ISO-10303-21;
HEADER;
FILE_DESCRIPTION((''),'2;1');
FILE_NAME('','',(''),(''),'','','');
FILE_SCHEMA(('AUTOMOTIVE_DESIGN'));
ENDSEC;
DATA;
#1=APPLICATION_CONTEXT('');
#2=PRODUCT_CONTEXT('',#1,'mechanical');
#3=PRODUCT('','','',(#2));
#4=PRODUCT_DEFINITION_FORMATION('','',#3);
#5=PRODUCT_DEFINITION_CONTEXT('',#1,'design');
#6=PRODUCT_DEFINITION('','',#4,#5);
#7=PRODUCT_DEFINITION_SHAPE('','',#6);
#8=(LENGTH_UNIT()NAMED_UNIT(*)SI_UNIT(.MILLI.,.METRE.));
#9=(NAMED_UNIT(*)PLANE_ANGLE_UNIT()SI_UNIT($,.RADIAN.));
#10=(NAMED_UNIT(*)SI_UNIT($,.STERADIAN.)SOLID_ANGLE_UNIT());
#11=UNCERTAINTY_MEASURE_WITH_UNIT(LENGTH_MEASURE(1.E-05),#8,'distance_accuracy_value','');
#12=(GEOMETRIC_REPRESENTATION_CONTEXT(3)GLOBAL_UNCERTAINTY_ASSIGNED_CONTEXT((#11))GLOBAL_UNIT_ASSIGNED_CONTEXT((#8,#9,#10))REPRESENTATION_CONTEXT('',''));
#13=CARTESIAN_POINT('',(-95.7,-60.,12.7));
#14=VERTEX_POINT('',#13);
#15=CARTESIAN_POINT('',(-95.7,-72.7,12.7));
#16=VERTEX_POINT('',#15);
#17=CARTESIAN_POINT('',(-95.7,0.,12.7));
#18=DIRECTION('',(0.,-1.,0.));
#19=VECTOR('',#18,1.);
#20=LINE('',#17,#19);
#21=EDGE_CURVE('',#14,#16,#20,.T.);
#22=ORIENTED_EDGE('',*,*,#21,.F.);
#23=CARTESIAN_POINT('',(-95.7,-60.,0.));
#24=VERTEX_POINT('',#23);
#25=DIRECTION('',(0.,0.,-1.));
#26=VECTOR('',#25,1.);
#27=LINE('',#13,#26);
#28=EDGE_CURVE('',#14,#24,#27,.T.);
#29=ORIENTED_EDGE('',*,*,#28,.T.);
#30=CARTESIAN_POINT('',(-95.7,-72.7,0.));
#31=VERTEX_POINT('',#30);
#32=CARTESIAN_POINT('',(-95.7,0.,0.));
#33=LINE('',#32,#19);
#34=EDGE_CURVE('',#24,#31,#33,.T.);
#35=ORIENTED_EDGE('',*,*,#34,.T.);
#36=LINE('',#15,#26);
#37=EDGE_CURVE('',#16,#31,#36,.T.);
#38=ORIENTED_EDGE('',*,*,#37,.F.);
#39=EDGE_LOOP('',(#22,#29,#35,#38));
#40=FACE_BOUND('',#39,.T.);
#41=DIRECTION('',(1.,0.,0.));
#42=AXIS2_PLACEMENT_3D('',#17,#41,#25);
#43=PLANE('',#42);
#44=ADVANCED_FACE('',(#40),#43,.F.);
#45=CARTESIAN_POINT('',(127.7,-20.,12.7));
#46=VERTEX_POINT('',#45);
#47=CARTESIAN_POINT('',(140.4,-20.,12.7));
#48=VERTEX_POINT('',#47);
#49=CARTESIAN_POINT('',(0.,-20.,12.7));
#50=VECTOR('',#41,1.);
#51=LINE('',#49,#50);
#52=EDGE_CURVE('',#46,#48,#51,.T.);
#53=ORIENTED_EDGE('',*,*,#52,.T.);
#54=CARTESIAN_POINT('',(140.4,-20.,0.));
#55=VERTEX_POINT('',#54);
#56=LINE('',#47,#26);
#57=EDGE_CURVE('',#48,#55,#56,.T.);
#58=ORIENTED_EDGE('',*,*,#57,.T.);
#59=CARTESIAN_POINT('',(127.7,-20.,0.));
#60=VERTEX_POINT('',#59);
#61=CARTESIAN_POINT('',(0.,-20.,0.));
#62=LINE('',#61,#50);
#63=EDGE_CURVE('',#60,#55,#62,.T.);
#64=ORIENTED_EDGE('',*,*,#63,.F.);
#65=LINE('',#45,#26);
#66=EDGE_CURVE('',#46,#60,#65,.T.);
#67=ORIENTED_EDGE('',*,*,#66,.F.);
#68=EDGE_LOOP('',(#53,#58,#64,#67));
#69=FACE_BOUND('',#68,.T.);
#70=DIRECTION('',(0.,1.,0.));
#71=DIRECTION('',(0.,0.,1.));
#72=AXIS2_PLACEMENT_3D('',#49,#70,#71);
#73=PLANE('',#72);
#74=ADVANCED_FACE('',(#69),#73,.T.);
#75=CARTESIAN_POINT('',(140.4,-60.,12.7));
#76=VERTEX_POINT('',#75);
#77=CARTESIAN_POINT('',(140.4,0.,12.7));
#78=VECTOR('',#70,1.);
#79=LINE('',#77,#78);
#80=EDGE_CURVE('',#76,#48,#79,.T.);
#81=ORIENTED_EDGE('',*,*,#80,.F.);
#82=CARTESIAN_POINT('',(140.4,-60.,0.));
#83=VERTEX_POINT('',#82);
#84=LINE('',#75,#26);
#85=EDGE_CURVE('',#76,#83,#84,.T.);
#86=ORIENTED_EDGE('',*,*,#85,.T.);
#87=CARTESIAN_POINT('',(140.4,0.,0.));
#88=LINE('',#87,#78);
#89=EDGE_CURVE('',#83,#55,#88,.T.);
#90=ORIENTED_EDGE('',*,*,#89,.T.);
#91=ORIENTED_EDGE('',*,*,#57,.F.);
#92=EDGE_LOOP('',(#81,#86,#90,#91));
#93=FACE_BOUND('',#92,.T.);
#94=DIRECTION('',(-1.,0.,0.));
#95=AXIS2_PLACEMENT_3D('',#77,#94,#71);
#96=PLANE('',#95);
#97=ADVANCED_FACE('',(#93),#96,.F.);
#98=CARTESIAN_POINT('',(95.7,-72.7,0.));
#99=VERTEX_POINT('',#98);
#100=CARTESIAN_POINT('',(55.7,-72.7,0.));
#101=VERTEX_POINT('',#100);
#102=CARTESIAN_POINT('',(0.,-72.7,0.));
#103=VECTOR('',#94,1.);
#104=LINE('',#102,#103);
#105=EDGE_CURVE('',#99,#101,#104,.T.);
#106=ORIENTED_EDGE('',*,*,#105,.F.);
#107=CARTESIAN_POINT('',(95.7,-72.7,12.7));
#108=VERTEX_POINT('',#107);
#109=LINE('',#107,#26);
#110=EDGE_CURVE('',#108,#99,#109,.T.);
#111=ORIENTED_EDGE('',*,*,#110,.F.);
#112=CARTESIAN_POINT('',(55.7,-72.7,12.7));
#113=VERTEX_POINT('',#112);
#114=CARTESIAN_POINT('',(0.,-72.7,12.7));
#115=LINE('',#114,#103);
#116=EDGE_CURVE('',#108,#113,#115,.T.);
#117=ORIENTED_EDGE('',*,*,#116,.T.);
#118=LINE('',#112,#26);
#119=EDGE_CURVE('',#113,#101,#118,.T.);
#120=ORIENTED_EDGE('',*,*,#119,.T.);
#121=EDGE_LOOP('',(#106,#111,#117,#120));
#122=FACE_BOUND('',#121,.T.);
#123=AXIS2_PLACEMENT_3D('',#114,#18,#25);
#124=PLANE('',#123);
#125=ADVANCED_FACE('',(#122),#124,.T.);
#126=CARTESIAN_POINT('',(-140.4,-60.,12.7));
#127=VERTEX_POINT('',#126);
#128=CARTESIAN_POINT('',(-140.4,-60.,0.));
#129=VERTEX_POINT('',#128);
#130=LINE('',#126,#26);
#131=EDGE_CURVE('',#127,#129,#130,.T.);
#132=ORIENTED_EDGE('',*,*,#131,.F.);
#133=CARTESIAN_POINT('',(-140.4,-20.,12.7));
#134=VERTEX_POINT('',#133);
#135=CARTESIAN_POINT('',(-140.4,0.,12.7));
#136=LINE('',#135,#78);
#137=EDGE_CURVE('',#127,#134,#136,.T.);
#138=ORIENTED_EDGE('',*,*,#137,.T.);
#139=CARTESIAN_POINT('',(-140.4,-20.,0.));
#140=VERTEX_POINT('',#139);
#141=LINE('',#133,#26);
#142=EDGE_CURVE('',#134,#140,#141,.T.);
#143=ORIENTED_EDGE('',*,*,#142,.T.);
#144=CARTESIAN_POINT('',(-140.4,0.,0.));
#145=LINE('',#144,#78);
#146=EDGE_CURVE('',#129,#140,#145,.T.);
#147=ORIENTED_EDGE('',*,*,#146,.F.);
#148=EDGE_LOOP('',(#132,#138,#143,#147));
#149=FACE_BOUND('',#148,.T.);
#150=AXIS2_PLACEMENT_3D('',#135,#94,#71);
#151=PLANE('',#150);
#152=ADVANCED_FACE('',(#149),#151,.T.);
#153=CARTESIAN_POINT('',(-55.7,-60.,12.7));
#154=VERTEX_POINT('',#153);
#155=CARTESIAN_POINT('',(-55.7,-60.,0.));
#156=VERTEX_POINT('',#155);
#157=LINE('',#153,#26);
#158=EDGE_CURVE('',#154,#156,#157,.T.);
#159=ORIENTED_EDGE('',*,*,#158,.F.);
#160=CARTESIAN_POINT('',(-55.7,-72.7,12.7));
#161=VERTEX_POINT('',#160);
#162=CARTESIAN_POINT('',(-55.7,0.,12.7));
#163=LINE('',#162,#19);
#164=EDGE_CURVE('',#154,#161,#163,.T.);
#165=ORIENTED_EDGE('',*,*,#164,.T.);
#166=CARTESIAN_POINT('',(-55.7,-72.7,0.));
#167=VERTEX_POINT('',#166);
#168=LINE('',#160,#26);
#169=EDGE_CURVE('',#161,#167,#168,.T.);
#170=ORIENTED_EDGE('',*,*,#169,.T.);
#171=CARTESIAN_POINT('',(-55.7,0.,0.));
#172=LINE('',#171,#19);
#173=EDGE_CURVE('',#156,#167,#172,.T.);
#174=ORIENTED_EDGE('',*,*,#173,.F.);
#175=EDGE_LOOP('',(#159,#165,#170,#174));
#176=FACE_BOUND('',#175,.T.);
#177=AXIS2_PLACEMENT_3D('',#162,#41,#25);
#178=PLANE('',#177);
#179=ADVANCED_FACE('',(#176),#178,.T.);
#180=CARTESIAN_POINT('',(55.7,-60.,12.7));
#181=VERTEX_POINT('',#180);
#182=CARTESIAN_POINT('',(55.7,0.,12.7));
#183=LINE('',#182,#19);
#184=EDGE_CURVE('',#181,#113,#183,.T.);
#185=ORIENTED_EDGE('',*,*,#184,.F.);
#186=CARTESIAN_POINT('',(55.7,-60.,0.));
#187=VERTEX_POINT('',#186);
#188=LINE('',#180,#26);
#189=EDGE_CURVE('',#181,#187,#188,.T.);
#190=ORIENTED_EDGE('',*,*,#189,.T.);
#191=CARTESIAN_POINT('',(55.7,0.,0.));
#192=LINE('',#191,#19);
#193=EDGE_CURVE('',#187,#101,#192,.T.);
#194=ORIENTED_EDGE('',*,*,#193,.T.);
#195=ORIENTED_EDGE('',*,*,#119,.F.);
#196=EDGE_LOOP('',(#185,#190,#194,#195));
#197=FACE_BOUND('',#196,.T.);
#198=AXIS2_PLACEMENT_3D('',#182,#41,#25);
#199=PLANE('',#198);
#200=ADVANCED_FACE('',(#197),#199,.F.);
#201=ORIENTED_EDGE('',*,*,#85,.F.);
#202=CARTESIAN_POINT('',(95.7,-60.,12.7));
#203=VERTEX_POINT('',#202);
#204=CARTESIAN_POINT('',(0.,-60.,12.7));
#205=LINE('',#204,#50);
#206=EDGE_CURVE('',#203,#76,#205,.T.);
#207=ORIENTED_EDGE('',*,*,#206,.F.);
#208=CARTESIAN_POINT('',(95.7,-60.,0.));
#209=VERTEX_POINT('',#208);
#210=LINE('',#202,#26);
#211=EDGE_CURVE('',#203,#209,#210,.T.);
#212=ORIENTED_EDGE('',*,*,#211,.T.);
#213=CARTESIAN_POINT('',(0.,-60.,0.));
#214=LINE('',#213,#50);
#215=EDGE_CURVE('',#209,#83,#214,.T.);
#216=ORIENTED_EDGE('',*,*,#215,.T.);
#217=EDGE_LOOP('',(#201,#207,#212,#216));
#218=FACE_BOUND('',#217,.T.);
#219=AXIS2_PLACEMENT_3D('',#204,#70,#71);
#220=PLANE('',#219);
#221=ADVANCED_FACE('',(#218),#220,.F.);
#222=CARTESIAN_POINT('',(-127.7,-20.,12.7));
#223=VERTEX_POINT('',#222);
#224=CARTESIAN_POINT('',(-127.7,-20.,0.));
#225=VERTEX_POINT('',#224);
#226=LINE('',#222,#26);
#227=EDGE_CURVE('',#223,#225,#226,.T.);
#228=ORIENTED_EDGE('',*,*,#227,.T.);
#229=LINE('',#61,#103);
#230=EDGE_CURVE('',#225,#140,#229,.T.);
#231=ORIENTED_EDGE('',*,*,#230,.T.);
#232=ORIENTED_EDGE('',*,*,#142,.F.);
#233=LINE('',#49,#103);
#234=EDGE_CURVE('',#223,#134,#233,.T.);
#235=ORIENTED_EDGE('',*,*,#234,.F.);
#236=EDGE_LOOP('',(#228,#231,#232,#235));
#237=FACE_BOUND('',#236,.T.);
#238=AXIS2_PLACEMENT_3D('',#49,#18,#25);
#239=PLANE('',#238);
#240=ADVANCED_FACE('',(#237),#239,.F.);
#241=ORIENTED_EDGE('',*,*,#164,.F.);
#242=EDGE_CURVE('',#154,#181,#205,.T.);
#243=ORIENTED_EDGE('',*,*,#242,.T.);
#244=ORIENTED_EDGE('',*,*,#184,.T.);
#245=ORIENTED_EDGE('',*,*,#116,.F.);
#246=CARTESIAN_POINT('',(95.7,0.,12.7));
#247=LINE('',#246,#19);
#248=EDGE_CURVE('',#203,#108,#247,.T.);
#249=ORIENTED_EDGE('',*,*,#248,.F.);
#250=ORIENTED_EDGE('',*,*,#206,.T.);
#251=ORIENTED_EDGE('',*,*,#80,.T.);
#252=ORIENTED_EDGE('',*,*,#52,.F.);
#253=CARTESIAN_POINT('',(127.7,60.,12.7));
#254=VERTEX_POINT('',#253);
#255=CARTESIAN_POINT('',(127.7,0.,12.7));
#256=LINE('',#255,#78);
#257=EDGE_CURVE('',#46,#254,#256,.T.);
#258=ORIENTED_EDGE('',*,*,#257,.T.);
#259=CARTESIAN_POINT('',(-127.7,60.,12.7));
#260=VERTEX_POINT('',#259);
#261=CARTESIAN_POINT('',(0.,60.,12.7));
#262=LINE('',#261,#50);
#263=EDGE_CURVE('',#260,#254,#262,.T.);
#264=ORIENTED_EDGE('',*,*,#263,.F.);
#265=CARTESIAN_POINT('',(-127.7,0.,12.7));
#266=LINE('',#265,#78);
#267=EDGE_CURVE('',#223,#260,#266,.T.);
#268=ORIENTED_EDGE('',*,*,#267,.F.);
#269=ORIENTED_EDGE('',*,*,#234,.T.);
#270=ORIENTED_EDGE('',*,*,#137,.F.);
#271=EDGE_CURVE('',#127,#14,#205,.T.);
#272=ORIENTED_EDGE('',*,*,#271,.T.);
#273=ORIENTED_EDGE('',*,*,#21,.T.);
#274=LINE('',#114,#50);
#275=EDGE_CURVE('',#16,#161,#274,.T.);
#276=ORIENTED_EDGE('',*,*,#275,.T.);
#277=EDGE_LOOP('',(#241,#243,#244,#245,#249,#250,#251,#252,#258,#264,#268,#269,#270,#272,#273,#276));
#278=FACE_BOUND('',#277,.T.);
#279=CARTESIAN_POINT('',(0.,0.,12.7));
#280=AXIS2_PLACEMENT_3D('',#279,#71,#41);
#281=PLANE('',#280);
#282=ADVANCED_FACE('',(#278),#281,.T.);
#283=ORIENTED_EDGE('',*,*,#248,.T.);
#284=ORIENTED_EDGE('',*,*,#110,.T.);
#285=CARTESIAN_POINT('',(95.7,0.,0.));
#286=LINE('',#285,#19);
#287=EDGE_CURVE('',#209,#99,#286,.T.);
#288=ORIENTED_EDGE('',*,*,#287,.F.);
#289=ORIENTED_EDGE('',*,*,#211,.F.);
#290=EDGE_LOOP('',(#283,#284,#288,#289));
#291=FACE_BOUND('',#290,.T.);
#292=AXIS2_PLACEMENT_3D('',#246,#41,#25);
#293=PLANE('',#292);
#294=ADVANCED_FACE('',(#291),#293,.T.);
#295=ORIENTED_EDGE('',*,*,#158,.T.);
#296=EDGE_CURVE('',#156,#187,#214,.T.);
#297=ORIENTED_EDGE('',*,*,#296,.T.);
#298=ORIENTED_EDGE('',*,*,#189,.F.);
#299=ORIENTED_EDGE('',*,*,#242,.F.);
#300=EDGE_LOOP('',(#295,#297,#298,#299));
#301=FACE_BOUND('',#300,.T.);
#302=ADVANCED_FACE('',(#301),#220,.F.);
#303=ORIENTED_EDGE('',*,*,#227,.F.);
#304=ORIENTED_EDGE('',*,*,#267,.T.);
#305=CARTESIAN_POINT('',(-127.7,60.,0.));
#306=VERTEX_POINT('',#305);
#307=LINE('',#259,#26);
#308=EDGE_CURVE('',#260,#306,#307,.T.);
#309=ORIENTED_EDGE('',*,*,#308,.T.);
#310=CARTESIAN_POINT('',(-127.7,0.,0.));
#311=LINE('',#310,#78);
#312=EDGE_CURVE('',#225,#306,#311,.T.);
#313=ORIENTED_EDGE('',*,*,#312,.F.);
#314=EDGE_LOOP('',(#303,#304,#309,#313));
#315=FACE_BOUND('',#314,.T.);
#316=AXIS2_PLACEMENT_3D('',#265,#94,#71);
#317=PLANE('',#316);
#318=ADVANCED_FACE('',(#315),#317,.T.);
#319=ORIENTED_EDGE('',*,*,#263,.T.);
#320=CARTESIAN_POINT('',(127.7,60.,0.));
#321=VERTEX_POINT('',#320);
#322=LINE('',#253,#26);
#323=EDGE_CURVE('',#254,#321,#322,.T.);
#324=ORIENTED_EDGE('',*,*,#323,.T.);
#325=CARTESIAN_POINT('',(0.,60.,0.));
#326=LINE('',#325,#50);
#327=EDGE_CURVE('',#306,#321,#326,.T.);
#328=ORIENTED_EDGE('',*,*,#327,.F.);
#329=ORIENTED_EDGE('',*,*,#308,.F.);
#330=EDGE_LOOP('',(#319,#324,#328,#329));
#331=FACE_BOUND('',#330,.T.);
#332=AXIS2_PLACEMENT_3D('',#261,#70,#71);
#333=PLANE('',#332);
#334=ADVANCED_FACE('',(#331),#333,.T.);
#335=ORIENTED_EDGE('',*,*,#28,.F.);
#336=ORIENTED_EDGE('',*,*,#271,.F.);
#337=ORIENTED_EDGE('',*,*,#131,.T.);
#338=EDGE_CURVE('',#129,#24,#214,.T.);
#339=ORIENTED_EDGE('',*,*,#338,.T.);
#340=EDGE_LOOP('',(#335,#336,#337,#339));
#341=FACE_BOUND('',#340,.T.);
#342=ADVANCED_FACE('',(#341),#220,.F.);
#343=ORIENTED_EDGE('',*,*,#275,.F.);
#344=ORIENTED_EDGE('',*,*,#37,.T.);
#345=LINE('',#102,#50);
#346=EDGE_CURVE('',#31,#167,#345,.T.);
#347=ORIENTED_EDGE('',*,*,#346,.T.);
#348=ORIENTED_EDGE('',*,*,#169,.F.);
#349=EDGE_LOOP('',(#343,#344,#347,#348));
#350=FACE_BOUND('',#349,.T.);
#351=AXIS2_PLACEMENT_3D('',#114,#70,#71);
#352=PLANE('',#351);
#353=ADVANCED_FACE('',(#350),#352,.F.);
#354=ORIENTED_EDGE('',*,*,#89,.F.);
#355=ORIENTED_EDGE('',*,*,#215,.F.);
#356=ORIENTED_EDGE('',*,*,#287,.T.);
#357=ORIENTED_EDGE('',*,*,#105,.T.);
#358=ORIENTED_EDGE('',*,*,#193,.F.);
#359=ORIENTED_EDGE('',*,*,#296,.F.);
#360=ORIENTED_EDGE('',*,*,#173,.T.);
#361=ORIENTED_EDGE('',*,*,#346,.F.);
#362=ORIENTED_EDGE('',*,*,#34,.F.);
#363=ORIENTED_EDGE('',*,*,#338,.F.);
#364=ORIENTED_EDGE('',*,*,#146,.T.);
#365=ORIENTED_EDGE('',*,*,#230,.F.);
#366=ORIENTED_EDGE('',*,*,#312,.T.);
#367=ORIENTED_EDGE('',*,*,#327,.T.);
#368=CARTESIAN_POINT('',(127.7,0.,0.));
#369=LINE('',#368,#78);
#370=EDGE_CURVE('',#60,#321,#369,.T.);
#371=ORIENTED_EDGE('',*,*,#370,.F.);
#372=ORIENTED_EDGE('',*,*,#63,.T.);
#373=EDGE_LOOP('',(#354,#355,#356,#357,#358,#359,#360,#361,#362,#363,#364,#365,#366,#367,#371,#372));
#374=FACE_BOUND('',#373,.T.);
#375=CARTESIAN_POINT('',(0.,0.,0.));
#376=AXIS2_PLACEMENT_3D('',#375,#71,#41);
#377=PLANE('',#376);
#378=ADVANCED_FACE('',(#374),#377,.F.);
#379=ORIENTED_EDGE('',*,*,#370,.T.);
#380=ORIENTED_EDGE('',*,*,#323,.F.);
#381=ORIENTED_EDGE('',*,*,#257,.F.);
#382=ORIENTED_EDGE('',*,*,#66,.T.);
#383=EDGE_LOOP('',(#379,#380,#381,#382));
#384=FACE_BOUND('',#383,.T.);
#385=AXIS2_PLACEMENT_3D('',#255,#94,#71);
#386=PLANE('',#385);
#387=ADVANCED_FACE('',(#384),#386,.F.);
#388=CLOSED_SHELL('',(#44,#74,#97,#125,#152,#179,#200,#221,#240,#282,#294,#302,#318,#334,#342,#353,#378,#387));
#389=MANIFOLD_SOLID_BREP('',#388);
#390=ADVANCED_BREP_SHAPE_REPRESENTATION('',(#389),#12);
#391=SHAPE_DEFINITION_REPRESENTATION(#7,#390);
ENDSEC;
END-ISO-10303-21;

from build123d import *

# Parameters (mm, degrees)
SKETCH3_W           = 255.4
SKETCH3_H           = 120
SKETCH3_W_2         = 12.7
SKETCH3_H_2         = 40
SKETCH3_W_3         = 40
SKETCH3_H_3         = 12.7
BOSS_EXTRUDE1_DEPTH = 12.7


with BuildPart() as part:
    # Sketch3 → Boss-Extrude1 (new body)
    with BuildSketch(Plane.XY):
        Rectangle(SKETCH3_W, SKETCH3_H)
        with Locations((-134.05, -40)):
            Rectangle(SKETCH3_W_2, SKETCH3_H_2)
        with Locations((-75.7, -66.35)):
            Rectangle(SKETCH3_W_3, SKETCH3_H_3)
        with Locations((75.7, -66.35)):
            Rectangle(SKETCH3_W_3, SKETCH3_H_3)
        with Locations((134.05, -40)):
            Rectangle(SKETCH3_W_2, SKETCH3_H_2)
    extrude(amount=BOSS_EXTRUDE1_DEPTH)


solid = part.part
